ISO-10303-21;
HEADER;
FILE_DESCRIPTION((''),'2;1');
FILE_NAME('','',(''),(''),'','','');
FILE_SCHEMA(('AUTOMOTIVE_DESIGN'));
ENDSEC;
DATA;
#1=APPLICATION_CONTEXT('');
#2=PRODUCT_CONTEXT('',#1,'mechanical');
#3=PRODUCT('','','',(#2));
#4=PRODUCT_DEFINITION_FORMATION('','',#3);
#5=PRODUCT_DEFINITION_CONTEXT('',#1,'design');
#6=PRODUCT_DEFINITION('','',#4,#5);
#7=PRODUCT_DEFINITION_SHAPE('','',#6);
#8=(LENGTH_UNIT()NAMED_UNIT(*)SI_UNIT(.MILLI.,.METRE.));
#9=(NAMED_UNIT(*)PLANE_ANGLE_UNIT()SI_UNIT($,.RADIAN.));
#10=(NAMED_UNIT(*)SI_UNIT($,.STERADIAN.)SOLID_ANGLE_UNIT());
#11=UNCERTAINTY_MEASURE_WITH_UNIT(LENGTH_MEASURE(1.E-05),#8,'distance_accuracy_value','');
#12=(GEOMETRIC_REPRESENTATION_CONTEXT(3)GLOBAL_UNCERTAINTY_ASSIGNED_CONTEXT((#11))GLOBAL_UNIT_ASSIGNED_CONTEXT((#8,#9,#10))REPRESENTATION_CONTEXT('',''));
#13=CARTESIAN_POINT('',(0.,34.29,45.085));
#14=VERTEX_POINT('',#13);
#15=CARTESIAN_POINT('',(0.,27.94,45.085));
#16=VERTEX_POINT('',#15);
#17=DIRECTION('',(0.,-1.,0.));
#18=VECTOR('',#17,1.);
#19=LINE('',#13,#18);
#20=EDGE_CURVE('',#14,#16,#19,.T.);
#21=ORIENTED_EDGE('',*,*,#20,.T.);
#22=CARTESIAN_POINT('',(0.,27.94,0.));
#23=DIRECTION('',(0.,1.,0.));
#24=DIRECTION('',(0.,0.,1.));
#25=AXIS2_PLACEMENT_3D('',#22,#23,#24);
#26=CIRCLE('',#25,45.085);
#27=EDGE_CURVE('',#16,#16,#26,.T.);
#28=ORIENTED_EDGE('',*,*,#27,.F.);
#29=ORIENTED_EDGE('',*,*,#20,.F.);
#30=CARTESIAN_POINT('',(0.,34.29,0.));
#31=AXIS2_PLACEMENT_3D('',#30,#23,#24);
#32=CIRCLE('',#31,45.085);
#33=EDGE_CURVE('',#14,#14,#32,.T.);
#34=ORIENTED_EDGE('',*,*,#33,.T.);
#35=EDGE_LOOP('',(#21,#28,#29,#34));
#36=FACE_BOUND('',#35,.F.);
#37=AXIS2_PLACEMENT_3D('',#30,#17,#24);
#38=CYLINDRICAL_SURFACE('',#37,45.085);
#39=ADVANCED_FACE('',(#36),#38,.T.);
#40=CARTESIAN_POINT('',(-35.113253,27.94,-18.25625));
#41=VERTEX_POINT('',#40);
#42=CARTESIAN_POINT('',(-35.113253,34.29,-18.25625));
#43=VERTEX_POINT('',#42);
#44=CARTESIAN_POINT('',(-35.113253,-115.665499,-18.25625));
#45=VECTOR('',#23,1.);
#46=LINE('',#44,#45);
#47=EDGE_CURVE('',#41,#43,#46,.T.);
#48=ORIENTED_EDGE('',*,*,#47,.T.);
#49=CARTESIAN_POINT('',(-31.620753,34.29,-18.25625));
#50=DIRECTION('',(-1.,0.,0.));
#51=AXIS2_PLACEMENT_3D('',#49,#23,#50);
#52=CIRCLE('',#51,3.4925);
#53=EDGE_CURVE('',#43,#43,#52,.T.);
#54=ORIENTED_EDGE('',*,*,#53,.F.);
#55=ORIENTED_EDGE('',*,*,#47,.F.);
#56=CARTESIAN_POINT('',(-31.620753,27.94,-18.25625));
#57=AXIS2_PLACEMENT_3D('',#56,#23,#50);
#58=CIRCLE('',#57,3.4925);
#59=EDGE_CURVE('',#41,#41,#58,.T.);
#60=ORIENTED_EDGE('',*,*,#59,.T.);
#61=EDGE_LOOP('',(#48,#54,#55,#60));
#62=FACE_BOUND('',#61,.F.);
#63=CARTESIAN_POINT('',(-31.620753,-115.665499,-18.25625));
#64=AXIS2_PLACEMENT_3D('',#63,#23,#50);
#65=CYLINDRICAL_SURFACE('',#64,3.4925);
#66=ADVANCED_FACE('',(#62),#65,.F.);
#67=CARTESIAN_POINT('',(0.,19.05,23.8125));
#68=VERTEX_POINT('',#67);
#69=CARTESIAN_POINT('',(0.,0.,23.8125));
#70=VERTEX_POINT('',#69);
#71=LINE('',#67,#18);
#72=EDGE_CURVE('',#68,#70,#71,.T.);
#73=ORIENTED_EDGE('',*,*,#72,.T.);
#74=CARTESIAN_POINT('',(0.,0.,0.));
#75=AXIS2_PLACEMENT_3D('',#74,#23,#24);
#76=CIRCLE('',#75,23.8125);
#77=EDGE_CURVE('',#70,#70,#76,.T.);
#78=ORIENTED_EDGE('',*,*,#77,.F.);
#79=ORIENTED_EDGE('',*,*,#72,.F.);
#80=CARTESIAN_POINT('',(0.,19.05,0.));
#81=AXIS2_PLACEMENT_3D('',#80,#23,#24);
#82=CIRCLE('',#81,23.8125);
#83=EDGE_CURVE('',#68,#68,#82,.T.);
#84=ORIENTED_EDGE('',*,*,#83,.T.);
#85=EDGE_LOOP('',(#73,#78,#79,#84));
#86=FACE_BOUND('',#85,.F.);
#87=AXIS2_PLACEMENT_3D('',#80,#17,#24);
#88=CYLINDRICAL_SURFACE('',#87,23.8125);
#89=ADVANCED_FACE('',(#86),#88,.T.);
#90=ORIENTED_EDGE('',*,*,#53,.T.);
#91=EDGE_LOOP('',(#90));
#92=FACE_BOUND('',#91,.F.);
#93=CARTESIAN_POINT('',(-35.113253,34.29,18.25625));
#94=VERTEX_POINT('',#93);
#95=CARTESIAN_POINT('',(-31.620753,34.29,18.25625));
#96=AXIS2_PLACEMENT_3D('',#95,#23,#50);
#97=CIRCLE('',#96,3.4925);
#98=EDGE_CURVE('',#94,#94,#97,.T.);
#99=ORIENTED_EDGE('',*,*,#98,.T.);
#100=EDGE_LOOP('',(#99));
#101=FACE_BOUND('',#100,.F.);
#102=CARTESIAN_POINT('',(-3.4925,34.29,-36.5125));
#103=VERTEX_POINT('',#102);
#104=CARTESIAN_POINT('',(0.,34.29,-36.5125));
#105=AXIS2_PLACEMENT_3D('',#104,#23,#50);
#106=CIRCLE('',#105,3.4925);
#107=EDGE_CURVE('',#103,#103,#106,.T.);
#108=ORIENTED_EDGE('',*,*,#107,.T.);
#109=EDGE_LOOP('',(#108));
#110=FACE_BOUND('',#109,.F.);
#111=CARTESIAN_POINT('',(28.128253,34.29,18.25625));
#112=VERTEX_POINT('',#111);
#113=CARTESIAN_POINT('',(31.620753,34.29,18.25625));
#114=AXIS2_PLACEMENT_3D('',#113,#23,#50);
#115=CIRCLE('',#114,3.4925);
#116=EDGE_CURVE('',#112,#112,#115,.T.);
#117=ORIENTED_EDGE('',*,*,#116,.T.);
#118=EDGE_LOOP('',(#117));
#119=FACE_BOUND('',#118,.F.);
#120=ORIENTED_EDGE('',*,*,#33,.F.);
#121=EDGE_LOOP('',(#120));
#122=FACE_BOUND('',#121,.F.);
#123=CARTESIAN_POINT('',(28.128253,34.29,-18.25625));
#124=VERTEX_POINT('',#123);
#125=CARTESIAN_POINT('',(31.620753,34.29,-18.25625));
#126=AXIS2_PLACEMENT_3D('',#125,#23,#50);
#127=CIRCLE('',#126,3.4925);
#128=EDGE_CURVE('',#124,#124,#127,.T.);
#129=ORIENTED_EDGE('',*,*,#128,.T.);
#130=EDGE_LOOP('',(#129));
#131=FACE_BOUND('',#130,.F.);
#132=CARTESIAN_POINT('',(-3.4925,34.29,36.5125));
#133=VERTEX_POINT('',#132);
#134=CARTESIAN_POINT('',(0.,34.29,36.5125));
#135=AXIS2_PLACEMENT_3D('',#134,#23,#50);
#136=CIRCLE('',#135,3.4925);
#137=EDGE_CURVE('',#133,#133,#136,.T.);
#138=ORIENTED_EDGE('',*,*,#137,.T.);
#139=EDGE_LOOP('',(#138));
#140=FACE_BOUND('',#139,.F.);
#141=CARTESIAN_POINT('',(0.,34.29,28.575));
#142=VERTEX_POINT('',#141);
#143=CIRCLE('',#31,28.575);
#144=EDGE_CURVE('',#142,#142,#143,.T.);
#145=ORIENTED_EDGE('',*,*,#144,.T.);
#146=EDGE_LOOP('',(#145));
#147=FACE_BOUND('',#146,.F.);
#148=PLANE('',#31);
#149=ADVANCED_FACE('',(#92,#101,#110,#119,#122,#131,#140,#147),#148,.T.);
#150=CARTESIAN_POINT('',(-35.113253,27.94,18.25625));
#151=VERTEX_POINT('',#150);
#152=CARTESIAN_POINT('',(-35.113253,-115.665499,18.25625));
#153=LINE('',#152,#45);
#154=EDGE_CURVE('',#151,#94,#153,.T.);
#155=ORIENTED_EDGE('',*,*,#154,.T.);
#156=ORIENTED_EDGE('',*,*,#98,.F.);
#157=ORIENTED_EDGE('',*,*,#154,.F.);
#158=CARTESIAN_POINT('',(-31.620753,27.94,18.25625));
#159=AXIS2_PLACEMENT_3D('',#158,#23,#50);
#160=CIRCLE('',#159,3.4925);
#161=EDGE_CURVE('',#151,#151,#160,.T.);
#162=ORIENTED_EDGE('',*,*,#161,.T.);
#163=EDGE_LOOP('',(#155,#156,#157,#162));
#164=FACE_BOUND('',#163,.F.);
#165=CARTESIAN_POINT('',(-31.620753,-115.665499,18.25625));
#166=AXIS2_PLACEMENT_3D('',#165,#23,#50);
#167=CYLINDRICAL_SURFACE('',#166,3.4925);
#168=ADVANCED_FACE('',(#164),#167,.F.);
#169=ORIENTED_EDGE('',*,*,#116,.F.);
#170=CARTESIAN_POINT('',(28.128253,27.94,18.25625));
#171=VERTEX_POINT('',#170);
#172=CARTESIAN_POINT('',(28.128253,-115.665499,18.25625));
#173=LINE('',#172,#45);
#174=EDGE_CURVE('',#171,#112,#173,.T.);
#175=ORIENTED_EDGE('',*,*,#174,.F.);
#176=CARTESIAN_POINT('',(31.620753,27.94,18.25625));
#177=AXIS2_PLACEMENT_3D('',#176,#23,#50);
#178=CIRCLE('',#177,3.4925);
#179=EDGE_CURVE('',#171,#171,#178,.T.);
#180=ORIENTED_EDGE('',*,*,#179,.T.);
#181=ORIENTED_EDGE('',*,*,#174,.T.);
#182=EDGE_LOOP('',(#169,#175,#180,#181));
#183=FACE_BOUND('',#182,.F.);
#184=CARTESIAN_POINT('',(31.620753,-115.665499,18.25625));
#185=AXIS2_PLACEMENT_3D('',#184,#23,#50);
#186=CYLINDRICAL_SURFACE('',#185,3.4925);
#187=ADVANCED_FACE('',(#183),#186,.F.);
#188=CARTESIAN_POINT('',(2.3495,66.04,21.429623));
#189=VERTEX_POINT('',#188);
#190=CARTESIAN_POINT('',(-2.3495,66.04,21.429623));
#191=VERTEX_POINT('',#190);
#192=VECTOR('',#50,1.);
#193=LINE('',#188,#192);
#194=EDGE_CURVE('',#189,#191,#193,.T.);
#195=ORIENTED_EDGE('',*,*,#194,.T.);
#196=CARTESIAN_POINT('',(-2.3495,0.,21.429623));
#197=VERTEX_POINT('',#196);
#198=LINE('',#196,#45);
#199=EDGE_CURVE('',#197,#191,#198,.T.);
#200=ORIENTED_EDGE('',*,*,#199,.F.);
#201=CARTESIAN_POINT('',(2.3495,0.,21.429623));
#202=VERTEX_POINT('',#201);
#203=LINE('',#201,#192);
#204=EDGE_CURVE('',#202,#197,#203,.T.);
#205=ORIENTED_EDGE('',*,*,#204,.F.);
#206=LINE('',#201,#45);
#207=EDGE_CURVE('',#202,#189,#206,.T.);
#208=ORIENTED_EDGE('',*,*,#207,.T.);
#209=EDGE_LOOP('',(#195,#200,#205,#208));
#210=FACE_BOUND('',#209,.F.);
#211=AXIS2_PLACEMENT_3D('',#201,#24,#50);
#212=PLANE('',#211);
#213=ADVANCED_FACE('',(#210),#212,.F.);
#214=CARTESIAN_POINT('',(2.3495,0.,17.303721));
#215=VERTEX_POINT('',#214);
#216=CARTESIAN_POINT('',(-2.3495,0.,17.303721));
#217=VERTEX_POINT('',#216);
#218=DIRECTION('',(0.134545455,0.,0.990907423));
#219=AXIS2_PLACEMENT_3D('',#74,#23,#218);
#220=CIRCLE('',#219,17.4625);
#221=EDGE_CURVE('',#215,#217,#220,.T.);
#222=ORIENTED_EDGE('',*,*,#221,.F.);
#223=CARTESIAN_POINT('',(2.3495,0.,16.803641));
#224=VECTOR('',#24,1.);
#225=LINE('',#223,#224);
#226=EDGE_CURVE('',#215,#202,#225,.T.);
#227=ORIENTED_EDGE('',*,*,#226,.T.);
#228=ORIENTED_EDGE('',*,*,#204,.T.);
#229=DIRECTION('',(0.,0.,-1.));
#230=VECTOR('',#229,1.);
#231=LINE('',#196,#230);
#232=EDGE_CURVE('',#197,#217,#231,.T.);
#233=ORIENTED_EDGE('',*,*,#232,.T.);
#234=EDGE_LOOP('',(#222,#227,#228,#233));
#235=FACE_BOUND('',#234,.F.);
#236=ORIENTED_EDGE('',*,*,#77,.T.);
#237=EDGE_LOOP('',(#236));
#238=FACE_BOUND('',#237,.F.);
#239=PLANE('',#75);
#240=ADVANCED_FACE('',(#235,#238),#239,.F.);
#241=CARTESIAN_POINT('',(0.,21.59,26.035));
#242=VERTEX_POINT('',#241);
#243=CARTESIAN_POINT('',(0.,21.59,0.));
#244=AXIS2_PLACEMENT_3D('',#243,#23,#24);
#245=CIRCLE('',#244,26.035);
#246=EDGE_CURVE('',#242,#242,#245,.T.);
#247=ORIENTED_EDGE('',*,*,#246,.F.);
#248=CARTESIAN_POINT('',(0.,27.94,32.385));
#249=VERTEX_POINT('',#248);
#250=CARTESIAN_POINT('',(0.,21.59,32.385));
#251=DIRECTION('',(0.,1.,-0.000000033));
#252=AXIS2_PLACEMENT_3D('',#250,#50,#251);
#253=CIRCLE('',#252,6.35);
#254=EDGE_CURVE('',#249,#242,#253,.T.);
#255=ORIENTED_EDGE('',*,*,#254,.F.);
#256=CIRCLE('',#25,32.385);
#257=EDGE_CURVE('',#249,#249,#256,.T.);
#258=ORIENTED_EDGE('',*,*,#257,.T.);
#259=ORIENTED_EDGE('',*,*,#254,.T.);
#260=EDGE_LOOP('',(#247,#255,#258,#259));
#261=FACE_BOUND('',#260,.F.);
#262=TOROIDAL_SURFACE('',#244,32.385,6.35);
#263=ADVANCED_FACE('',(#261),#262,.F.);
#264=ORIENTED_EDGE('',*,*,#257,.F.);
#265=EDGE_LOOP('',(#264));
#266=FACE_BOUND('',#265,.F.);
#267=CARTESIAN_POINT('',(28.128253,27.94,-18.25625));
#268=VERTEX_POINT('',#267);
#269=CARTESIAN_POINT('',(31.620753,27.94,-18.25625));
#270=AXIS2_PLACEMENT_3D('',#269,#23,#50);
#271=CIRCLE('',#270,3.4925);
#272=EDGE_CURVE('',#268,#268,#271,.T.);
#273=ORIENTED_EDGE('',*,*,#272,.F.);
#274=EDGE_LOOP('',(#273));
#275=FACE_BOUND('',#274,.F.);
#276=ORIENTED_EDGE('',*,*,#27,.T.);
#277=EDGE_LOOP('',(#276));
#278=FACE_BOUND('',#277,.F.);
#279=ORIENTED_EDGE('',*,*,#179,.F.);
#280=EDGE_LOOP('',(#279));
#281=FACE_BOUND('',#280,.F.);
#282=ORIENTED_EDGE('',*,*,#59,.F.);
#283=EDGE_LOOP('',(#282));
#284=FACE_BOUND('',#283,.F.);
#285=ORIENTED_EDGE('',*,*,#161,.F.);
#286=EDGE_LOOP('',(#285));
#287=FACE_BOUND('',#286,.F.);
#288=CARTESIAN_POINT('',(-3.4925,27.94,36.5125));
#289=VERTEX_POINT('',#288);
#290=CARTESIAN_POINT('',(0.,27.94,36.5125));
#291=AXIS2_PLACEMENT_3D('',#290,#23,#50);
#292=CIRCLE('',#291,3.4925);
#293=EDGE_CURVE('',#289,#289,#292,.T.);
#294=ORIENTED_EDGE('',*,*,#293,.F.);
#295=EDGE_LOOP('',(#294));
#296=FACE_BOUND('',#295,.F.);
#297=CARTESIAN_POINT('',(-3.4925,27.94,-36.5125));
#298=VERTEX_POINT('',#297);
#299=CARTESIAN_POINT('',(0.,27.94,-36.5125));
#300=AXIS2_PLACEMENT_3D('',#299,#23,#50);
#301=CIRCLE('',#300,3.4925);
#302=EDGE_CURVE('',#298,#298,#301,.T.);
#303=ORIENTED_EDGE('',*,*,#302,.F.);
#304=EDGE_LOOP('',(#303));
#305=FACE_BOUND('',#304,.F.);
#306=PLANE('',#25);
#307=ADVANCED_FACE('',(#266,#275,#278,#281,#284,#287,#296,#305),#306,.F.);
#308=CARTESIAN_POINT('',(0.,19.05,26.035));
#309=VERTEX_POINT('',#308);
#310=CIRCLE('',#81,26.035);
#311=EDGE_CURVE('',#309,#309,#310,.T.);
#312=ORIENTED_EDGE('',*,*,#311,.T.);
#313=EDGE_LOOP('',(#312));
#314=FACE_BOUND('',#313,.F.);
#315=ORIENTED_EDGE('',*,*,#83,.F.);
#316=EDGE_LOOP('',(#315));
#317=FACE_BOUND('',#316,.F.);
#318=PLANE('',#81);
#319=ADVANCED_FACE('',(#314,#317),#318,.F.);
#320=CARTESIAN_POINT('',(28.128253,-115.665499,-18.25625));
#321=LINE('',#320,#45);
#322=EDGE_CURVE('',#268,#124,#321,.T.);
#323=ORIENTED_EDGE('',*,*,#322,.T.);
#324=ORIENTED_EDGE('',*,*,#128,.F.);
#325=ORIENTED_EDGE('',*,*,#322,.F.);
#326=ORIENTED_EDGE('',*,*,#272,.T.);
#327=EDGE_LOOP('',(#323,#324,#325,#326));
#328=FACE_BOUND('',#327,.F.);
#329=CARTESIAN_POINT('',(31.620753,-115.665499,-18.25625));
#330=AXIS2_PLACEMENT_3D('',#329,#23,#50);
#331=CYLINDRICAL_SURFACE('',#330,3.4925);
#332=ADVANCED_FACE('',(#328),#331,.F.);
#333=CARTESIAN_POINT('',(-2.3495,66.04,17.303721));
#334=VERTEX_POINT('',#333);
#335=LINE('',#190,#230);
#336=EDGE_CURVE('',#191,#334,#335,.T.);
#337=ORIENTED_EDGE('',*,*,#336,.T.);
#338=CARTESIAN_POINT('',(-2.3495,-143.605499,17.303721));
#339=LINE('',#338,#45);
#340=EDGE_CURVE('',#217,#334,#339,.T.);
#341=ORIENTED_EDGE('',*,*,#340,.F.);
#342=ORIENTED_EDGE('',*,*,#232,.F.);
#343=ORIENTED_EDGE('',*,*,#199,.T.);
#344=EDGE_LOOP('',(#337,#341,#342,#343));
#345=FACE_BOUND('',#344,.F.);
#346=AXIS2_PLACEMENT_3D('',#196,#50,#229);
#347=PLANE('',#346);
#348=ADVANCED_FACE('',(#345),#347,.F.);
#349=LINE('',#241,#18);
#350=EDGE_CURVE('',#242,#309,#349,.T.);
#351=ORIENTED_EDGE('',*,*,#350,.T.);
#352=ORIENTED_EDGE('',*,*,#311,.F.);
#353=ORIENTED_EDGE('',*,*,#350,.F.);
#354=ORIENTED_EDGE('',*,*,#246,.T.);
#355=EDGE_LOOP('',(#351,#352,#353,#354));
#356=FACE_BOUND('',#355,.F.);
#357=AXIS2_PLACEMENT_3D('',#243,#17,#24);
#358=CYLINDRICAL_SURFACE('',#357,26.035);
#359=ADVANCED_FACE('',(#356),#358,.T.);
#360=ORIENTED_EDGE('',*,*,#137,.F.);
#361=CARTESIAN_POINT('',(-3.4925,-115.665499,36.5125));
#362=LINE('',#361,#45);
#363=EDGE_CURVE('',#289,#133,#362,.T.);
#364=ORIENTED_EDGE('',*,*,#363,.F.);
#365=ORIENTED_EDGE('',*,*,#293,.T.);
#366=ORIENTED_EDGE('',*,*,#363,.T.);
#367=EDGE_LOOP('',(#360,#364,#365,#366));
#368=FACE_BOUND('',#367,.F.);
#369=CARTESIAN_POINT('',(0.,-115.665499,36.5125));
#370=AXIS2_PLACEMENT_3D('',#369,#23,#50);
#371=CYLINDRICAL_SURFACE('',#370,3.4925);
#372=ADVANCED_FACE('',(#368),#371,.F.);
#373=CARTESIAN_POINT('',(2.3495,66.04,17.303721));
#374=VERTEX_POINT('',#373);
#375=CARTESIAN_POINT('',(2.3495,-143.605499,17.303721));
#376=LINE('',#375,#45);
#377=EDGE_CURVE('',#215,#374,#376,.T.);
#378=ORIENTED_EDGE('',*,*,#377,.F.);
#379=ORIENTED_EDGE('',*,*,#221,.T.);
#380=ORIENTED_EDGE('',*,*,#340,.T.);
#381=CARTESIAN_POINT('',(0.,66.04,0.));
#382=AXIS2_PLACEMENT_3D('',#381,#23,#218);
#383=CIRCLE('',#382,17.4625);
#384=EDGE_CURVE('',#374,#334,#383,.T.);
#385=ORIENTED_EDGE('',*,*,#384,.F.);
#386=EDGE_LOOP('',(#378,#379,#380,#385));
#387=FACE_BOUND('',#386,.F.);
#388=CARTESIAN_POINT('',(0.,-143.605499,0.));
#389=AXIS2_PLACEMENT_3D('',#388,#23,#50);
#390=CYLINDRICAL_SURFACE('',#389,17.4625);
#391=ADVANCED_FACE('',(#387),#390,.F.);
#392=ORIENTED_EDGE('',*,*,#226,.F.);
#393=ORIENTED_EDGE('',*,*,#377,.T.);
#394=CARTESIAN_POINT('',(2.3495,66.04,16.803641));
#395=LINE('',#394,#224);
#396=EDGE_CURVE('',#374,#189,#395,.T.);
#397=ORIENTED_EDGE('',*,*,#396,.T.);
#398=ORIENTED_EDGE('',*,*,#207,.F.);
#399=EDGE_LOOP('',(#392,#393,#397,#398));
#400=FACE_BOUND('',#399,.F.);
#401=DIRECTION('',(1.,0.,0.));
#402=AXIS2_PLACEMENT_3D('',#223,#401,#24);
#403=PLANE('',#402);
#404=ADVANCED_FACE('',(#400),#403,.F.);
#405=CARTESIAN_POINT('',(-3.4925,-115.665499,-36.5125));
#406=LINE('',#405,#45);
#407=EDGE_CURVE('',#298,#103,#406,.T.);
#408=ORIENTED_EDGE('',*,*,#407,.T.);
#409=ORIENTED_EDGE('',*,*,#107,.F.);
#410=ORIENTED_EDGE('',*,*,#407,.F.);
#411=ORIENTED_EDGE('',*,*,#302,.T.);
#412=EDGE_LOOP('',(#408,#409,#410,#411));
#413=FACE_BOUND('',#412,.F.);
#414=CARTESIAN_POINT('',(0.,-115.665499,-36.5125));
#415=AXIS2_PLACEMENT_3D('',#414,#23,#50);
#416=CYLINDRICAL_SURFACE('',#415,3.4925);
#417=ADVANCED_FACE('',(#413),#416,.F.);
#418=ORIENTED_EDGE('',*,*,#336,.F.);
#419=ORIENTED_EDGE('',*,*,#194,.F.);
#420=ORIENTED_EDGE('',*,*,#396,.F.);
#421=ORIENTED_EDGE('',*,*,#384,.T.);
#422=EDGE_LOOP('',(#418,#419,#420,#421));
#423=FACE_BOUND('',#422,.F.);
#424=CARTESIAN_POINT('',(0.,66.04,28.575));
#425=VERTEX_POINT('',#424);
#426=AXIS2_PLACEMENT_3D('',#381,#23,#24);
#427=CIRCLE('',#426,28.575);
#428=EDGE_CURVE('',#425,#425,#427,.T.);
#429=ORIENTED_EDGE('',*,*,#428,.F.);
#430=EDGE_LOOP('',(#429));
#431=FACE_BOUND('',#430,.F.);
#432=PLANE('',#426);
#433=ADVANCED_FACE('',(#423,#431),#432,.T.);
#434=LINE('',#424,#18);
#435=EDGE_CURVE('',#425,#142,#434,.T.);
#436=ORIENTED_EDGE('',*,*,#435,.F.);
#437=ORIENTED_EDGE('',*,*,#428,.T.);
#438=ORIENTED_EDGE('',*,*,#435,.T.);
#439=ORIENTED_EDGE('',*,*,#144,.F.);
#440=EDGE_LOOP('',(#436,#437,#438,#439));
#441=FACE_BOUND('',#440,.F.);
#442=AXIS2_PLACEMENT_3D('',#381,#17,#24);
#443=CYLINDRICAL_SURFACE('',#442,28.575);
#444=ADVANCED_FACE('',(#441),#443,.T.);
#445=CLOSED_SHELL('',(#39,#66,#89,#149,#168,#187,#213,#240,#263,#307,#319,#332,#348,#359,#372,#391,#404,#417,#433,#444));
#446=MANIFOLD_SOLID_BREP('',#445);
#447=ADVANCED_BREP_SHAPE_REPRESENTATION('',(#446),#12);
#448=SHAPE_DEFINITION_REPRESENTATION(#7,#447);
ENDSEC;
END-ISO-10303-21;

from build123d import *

# Parameters (mm, degrees)
F4_D     = 34.925
F6_D     = 6.985
F8_DEPTH = 66.04


with BuildPart() as f2:
    # F0 (on Right) → F2 (revolve)
    with BuildSketch(Plane.YZ):
        with BuildLine():
            Line((0, 23.8125), (0, 0))
            Line((0, 0), (66.04, 0))
            Line((66.04, 0), (66.04, 28.575))
            Line((66.04, 28.575), (34.29, 28.575))
            Line((34.29, 28.575), (34.29, 45.085))
            Line((34.29, 45.085), (27.94, 45.085))
            Line((27.94, 45.085), (27.94, 32.385))
            ThreePointArc((27.94, 32.385), (26.080128, 27.894872), (21.59, 26.035))
            Line((21.59, 26.035), (19.05, 26.035))
            Line((19.05, 26.035), (19.05, 23.8125))
            Line((19.05, 23.8125), (0, 23.8125))
        make_face()
    revolve(axis=Axis((0, 38.1, 0), (0, 1, 0)))

    # F4 (through all)
    with Locations(Plane.XZ):
        with Locations((0, 0)):
            Hole(F4_D / 2)

    # F6 (through all)
    with Locations(Plane.XZ.offset(-27.94)):
        with Locations((0, 36.5125), (31.620753, 18.25625), (31.620753, -18.25625), (0, -36.5125), (-31.620753, -18.25625), (-31.620753, 18.25625)):
            Hole(F6_D / 2)

    # F7 (on Front) → F8 (cut)
    with BuildSketch(Plane.XZ):
        Polygon((2.3495, 21.429623), (0, 21.429623), (-2.3495, 21.429623), (-2.3495, 16.803641), (0, 16.803641), (2.3495, 16.803641), align=None)
    extrude(amount=-F8_DEPTH, mode=Mode.SUBTRACT)


solid = f2.part
